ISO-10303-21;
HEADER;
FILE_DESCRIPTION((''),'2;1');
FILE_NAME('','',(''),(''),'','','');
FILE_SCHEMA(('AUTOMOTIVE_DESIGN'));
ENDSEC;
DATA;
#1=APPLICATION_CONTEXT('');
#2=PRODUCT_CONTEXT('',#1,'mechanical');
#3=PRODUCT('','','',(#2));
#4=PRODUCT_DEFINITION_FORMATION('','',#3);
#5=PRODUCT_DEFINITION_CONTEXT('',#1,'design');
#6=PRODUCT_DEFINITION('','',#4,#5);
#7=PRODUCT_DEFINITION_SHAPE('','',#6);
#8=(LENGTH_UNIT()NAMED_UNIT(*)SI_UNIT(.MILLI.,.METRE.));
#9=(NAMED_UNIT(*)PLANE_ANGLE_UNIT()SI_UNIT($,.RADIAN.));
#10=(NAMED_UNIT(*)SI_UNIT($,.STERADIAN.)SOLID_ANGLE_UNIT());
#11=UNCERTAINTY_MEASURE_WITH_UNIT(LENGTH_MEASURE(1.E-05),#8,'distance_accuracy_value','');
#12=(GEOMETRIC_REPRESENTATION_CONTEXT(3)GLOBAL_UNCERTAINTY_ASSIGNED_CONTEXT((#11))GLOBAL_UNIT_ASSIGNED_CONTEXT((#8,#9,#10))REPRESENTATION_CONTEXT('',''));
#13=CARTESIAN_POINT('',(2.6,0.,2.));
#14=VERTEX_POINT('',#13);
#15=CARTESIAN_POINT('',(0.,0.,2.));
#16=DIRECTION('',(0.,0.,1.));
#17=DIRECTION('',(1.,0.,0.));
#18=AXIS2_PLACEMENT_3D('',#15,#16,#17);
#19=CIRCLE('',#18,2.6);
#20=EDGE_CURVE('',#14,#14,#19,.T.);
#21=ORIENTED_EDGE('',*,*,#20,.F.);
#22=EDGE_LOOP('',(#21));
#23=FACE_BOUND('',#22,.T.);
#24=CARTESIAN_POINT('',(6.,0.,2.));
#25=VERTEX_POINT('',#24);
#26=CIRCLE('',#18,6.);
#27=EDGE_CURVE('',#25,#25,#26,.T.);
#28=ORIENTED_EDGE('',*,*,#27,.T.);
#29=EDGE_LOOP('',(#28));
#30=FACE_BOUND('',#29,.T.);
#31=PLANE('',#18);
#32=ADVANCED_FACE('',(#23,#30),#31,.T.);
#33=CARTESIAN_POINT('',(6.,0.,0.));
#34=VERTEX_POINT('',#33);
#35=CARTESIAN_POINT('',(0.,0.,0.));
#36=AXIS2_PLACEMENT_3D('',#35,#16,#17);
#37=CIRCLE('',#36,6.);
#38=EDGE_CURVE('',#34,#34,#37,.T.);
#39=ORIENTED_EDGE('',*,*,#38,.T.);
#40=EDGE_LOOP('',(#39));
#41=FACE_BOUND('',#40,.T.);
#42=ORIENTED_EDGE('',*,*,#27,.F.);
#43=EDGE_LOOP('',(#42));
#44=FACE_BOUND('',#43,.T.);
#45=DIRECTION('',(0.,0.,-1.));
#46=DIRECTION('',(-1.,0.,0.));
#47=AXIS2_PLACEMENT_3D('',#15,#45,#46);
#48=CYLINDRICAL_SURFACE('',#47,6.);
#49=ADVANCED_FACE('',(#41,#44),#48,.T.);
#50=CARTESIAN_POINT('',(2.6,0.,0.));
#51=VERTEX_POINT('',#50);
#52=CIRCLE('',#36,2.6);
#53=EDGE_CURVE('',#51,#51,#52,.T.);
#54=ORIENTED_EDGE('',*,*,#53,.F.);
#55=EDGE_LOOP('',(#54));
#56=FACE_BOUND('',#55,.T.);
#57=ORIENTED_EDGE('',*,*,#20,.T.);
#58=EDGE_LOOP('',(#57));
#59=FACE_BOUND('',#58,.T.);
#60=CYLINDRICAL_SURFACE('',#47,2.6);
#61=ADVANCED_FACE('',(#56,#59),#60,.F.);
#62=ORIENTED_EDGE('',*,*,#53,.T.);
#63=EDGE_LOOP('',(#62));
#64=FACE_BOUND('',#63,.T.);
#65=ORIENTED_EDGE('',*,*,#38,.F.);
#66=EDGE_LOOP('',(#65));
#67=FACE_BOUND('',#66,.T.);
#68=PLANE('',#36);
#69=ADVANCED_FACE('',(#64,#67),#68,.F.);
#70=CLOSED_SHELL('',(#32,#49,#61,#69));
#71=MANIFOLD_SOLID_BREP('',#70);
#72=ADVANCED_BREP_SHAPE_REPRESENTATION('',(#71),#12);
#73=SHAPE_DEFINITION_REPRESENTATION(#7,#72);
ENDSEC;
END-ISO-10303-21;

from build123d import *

# Parameters (mm, degrees)
SKETCH1_R           = 6
SKETCH1_R_2         = 2.6
BOSS_EXTRUDE1_DEPTH = 2


with BuildPart() as part:
    # Sketch1 → Boss-Extrude1 (new body)
    with BuildSketch(Plane.XY):
        Circle(SKETCH1_R)
        Circle(SKETCH1_R_2, mode=Mode.SUBTRACT)
    extrude(amount=BOSS_EXTRUDE1_DEPTH)


solid = part.part
